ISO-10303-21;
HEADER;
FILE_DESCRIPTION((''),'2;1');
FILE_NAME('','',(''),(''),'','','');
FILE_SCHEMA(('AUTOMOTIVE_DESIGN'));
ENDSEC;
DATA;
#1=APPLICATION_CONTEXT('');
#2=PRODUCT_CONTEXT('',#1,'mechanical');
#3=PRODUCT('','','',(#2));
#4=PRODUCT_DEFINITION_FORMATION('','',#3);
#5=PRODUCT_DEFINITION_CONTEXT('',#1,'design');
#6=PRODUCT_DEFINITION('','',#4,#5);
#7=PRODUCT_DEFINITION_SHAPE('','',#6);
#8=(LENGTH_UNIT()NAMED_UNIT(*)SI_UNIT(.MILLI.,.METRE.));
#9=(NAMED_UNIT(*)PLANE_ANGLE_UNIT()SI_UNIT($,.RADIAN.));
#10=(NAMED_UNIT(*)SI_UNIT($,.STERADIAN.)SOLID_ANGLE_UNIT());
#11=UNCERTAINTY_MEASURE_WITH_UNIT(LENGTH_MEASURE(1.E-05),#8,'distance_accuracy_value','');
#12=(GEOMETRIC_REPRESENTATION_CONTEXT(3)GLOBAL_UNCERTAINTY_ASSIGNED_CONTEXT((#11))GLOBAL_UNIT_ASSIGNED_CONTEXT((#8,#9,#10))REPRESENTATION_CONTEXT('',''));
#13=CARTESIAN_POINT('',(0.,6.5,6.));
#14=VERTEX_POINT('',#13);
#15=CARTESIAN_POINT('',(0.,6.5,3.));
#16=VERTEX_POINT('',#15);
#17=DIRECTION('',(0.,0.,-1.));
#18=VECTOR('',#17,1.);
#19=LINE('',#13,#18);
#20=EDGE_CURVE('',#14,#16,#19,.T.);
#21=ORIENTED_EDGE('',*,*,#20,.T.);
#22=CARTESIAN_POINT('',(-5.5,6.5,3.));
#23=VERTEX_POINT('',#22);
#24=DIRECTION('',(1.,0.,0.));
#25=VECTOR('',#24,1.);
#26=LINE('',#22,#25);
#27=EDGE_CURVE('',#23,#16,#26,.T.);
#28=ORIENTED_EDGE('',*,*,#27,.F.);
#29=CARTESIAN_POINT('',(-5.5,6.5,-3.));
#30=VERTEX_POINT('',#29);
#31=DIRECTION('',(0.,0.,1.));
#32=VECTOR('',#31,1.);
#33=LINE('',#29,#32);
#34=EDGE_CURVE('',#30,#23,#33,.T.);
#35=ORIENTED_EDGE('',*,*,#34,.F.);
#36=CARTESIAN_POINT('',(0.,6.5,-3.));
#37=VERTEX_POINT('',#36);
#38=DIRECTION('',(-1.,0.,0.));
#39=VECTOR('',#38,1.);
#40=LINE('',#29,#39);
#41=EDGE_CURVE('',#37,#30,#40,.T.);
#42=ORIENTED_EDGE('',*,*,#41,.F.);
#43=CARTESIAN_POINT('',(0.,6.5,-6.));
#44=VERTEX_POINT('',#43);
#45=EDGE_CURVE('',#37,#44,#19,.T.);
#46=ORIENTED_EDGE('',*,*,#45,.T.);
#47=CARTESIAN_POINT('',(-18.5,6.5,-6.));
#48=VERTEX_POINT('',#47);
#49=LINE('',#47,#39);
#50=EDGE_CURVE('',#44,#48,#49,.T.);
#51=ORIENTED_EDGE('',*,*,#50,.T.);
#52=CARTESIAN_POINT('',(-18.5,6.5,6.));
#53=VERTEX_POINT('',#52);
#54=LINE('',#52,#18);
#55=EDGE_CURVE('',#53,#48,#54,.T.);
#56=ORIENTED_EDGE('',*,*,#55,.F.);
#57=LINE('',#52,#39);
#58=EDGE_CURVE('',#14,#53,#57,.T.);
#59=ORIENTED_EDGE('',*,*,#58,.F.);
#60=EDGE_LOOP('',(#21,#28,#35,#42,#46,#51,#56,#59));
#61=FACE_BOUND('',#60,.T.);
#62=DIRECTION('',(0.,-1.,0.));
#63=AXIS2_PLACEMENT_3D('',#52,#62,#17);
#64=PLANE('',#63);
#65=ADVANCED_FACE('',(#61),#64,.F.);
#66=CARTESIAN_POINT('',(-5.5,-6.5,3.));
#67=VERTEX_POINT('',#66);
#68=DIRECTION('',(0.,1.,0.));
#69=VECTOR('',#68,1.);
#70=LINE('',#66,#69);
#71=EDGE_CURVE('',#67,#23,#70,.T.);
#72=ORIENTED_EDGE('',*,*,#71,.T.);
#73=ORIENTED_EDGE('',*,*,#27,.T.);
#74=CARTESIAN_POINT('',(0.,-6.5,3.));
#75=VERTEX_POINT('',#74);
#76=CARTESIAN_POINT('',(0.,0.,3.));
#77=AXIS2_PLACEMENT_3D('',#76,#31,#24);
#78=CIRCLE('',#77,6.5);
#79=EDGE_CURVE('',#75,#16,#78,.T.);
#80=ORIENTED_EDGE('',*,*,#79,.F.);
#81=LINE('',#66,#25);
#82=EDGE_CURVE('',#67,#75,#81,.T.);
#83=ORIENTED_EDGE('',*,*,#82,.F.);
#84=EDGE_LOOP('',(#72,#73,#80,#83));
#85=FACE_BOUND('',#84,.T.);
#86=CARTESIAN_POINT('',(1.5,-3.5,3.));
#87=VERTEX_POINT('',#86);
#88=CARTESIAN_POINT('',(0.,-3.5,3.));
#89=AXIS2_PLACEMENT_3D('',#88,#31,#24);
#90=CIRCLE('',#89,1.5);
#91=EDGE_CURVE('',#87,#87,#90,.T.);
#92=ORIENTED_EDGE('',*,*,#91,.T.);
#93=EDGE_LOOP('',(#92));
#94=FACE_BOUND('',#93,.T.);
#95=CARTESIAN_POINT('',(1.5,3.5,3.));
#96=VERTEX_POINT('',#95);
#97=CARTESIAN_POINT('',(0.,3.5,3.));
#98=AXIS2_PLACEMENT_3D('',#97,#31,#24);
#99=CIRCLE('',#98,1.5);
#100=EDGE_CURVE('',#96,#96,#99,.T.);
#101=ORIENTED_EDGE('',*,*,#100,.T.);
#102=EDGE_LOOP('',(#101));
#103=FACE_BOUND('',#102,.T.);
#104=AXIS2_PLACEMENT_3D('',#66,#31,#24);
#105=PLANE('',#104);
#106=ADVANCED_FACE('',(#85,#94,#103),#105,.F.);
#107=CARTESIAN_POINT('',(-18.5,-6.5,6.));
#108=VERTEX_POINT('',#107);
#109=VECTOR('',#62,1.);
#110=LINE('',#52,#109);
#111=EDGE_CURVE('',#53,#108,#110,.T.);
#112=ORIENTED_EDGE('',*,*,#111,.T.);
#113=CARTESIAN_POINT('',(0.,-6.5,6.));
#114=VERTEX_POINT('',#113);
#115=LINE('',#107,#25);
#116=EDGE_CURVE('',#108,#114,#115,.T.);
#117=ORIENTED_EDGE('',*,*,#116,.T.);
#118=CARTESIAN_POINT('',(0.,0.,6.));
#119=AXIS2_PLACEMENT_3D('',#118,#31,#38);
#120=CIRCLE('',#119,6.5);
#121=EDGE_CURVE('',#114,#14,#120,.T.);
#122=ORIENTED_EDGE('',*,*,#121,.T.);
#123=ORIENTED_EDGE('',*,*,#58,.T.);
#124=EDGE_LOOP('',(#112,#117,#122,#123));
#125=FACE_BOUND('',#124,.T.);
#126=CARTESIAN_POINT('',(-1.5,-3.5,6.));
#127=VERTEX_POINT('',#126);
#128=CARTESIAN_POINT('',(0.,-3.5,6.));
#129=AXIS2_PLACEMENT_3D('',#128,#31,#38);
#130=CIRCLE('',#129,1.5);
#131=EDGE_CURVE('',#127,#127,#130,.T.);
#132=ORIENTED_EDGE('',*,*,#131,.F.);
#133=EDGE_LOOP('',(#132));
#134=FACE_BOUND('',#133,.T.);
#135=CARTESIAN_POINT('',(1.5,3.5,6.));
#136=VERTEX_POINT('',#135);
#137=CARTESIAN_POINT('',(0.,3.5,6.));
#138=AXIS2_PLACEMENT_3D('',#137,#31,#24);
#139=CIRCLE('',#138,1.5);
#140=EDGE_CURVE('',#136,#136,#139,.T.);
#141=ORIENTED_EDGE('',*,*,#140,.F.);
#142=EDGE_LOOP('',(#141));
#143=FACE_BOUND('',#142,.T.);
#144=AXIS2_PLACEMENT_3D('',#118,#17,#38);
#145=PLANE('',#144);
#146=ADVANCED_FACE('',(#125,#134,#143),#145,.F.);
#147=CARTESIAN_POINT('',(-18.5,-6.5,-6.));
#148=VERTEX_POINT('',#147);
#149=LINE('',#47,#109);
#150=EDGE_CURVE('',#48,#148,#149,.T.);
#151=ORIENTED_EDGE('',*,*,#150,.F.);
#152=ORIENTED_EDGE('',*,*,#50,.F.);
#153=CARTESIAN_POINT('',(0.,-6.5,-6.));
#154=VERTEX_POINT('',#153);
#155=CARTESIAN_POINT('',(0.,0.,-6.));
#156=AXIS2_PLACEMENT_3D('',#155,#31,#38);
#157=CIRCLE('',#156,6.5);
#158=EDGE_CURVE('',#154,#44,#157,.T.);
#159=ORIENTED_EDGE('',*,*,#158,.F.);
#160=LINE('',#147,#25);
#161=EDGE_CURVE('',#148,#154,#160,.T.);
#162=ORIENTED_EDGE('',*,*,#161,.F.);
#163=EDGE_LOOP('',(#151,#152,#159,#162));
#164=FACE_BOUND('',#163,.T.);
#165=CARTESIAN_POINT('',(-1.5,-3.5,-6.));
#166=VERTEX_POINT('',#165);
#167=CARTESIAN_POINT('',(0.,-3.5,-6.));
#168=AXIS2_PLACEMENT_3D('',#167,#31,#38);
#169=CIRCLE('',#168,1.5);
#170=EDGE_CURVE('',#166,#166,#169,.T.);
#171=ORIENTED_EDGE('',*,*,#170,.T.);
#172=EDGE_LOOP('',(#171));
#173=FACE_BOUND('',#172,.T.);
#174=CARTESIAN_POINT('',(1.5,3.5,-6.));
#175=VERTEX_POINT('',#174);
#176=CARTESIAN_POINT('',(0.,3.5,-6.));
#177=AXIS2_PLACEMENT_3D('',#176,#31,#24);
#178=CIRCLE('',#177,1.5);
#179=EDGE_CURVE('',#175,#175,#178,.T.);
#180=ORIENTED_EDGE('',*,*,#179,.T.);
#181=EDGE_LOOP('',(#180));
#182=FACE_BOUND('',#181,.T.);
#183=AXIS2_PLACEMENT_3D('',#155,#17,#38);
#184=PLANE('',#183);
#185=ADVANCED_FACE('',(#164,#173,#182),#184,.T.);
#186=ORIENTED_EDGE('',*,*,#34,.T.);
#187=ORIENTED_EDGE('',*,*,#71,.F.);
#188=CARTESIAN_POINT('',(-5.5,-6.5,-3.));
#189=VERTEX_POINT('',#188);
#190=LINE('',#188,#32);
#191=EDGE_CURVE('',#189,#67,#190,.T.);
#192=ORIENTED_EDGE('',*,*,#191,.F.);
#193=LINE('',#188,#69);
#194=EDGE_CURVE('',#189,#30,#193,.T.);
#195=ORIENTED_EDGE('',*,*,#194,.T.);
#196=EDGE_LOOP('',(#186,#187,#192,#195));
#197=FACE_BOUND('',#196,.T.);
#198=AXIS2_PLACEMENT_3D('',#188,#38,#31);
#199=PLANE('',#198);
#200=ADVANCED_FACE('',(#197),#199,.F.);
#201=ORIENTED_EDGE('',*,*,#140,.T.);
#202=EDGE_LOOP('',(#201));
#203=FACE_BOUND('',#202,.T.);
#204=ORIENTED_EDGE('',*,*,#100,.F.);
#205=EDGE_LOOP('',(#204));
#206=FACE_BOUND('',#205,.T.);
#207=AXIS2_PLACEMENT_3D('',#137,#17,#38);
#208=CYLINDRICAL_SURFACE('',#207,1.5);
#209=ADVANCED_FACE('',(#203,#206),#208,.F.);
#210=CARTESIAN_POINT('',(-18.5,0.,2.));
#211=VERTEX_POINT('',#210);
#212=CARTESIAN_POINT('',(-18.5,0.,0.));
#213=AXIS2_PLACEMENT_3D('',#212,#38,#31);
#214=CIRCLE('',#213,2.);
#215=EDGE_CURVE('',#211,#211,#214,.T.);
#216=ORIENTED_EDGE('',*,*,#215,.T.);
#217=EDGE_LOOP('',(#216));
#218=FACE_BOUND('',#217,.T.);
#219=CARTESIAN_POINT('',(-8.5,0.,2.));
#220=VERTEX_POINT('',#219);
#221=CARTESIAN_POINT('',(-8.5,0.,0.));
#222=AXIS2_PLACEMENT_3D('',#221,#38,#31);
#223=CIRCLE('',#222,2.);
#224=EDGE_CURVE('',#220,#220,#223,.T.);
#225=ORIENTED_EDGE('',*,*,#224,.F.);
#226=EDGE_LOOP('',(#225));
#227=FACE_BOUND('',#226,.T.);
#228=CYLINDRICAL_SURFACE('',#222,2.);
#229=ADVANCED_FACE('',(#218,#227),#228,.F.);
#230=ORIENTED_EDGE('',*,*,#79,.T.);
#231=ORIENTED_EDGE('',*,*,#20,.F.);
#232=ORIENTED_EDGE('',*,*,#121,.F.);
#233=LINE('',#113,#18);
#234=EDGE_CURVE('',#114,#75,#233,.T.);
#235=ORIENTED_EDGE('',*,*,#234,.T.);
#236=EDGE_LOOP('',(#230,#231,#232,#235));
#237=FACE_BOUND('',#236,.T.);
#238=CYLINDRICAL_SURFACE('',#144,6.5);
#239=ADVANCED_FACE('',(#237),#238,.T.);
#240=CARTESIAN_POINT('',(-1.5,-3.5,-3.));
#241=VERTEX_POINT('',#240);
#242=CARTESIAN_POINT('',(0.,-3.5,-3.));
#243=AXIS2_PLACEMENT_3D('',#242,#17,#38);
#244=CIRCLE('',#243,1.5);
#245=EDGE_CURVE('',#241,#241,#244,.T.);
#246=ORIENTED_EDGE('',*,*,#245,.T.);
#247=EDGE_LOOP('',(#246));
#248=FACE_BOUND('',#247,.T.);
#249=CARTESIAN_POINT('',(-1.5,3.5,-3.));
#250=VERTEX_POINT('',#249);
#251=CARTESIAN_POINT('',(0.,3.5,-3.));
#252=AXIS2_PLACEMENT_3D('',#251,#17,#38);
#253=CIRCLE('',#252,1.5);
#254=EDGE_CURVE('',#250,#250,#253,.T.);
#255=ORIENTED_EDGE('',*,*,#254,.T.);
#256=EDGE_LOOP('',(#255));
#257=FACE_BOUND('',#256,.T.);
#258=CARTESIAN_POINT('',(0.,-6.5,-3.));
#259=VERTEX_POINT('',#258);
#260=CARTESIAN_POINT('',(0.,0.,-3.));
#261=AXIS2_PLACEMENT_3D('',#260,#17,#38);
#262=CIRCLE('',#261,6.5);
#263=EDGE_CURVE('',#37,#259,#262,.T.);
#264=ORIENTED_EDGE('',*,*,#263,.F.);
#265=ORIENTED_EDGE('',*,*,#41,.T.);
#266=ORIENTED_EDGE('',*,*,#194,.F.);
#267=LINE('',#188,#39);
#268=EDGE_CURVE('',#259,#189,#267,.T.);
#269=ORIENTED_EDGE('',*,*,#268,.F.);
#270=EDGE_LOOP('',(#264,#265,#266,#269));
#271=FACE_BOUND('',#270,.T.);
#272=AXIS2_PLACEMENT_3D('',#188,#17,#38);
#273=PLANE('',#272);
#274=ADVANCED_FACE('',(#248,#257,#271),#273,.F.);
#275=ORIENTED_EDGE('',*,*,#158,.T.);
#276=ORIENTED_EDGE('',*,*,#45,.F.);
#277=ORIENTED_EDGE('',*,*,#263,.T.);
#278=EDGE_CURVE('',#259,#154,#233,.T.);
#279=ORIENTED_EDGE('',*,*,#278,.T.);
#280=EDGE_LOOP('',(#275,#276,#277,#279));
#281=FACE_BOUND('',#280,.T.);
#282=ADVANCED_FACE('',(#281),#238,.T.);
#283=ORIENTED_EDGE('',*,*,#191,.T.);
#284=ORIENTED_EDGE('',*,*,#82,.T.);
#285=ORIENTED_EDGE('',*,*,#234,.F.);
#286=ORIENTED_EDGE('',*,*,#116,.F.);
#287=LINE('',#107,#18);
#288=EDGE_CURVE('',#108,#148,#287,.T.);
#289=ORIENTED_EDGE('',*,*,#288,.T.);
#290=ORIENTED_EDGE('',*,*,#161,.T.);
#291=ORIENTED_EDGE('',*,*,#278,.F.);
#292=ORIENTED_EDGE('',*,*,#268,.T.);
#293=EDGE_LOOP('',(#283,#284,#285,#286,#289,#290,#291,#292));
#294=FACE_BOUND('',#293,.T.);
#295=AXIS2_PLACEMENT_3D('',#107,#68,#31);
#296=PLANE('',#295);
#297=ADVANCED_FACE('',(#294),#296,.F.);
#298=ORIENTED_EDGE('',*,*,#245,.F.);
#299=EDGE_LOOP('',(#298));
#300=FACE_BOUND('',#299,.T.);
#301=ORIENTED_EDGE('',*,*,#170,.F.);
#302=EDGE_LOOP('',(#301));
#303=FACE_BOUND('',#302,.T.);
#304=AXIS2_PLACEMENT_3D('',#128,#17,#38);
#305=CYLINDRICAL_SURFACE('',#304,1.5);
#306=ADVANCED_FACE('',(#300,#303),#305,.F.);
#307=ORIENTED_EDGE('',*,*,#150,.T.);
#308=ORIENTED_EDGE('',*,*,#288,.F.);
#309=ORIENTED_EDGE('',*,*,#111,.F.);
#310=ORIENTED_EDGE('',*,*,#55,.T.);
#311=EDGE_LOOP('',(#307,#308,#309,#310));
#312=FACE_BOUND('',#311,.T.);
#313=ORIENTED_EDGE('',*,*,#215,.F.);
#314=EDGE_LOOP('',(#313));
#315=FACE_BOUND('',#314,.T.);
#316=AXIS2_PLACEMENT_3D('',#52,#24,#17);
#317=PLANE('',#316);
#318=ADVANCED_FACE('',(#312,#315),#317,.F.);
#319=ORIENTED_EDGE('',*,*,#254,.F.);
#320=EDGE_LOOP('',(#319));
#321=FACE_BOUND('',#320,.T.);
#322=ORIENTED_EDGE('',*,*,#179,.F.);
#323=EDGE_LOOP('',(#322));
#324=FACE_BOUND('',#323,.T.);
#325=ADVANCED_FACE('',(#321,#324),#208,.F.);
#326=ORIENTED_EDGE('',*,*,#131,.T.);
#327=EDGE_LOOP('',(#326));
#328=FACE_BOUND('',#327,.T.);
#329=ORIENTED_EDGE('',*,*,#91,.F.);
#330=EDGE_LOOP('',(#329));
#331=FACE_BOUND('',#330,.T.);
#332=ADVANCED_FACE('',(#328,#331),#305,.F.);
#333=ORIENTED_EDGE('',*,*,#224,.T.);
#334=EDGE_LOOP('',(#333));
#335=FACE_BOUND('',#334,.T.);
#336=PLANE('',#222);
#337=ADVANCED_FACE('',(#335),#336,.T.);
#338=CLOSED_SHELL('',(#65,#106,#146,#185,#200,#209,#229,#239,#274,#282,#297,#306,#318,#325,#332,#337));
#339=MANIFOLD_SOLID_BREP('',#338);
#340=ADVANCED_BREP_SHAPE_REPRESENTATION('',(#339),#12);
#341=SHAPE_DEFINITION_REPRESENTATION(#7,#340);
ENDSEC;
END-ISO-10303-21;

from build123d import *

# Parameters (mm, degrees)
SKETCH1_R               = 1.5
BOSS_EXTRUDE1_DEPTH     = 6
CUT_EXTRUDE1_DEPTH      = 21.506096654
CUT_EXTRUDE1_DEPTH_BACK = 21.506096654
SKETCH2_W               = 12
SKETCH2_H               = 6
SKETCH3_R               = 2
CUT_EXTRUDE2_DEPTH      = 10


with BuildPart() as part:
    # Sketch1 → Boss-Extrude1 (new, symmetric)
    with BuildSketch(Plane.XY):
        with BuildLine():
            Line((-18.5, 6.5), (0, 6.5))
            ThreePointArc((0, 6.5), (6.5, 0), (0, -6.5))
            Line((0, -6.5), (-18.5, -6.5))
            Line((-18.5, -6.5), (-18.5, 6.5))
        make_face()
        with Locations((0, 3.5)):
            Circle(SKETCH1_R, mode=Mode.SUBTRACT)
        with Locations(Location((0, -3.5, 0), (0, 0, 180))):
            Circle(SKETCH1_R, mode=Mode.SUBTRACT)
    extrude(amount=BOSS_EXTRUDE1_DEPTH, both=True)

    # Sketch2 → Cut-Extrude1 (cut, two sides: drawn at the far end of the back side and taken through both)
    with BuildSketch(Plane(origin=(0, 0, 0), x_dir=(1, 0, 0), z_dir=(0, 1, 0)).offset(-CUT_EXTRUDE1_DEPTH_BACK)):
        with Locations((0.5, 0)):
            Rectangle(SKETCH2_W, SKETCH2_H)
    extrude(amount=CUT_EXTRUDE1_DEPTH + CUT_EXTRUDE1_DEPTH_BACK, mode=Mode.SUBTRACT)

    # Sketch3 → Cut-Extrude2 (cut)
    with BuildSketch(Plane.ZY.offset(18.5)):
        Circle(SKETCH3_R)
    extrude(amount=-CUT_EXTRUDE2_DEPTH, mode=Mode.SUBTRACT)


solid = part.part
